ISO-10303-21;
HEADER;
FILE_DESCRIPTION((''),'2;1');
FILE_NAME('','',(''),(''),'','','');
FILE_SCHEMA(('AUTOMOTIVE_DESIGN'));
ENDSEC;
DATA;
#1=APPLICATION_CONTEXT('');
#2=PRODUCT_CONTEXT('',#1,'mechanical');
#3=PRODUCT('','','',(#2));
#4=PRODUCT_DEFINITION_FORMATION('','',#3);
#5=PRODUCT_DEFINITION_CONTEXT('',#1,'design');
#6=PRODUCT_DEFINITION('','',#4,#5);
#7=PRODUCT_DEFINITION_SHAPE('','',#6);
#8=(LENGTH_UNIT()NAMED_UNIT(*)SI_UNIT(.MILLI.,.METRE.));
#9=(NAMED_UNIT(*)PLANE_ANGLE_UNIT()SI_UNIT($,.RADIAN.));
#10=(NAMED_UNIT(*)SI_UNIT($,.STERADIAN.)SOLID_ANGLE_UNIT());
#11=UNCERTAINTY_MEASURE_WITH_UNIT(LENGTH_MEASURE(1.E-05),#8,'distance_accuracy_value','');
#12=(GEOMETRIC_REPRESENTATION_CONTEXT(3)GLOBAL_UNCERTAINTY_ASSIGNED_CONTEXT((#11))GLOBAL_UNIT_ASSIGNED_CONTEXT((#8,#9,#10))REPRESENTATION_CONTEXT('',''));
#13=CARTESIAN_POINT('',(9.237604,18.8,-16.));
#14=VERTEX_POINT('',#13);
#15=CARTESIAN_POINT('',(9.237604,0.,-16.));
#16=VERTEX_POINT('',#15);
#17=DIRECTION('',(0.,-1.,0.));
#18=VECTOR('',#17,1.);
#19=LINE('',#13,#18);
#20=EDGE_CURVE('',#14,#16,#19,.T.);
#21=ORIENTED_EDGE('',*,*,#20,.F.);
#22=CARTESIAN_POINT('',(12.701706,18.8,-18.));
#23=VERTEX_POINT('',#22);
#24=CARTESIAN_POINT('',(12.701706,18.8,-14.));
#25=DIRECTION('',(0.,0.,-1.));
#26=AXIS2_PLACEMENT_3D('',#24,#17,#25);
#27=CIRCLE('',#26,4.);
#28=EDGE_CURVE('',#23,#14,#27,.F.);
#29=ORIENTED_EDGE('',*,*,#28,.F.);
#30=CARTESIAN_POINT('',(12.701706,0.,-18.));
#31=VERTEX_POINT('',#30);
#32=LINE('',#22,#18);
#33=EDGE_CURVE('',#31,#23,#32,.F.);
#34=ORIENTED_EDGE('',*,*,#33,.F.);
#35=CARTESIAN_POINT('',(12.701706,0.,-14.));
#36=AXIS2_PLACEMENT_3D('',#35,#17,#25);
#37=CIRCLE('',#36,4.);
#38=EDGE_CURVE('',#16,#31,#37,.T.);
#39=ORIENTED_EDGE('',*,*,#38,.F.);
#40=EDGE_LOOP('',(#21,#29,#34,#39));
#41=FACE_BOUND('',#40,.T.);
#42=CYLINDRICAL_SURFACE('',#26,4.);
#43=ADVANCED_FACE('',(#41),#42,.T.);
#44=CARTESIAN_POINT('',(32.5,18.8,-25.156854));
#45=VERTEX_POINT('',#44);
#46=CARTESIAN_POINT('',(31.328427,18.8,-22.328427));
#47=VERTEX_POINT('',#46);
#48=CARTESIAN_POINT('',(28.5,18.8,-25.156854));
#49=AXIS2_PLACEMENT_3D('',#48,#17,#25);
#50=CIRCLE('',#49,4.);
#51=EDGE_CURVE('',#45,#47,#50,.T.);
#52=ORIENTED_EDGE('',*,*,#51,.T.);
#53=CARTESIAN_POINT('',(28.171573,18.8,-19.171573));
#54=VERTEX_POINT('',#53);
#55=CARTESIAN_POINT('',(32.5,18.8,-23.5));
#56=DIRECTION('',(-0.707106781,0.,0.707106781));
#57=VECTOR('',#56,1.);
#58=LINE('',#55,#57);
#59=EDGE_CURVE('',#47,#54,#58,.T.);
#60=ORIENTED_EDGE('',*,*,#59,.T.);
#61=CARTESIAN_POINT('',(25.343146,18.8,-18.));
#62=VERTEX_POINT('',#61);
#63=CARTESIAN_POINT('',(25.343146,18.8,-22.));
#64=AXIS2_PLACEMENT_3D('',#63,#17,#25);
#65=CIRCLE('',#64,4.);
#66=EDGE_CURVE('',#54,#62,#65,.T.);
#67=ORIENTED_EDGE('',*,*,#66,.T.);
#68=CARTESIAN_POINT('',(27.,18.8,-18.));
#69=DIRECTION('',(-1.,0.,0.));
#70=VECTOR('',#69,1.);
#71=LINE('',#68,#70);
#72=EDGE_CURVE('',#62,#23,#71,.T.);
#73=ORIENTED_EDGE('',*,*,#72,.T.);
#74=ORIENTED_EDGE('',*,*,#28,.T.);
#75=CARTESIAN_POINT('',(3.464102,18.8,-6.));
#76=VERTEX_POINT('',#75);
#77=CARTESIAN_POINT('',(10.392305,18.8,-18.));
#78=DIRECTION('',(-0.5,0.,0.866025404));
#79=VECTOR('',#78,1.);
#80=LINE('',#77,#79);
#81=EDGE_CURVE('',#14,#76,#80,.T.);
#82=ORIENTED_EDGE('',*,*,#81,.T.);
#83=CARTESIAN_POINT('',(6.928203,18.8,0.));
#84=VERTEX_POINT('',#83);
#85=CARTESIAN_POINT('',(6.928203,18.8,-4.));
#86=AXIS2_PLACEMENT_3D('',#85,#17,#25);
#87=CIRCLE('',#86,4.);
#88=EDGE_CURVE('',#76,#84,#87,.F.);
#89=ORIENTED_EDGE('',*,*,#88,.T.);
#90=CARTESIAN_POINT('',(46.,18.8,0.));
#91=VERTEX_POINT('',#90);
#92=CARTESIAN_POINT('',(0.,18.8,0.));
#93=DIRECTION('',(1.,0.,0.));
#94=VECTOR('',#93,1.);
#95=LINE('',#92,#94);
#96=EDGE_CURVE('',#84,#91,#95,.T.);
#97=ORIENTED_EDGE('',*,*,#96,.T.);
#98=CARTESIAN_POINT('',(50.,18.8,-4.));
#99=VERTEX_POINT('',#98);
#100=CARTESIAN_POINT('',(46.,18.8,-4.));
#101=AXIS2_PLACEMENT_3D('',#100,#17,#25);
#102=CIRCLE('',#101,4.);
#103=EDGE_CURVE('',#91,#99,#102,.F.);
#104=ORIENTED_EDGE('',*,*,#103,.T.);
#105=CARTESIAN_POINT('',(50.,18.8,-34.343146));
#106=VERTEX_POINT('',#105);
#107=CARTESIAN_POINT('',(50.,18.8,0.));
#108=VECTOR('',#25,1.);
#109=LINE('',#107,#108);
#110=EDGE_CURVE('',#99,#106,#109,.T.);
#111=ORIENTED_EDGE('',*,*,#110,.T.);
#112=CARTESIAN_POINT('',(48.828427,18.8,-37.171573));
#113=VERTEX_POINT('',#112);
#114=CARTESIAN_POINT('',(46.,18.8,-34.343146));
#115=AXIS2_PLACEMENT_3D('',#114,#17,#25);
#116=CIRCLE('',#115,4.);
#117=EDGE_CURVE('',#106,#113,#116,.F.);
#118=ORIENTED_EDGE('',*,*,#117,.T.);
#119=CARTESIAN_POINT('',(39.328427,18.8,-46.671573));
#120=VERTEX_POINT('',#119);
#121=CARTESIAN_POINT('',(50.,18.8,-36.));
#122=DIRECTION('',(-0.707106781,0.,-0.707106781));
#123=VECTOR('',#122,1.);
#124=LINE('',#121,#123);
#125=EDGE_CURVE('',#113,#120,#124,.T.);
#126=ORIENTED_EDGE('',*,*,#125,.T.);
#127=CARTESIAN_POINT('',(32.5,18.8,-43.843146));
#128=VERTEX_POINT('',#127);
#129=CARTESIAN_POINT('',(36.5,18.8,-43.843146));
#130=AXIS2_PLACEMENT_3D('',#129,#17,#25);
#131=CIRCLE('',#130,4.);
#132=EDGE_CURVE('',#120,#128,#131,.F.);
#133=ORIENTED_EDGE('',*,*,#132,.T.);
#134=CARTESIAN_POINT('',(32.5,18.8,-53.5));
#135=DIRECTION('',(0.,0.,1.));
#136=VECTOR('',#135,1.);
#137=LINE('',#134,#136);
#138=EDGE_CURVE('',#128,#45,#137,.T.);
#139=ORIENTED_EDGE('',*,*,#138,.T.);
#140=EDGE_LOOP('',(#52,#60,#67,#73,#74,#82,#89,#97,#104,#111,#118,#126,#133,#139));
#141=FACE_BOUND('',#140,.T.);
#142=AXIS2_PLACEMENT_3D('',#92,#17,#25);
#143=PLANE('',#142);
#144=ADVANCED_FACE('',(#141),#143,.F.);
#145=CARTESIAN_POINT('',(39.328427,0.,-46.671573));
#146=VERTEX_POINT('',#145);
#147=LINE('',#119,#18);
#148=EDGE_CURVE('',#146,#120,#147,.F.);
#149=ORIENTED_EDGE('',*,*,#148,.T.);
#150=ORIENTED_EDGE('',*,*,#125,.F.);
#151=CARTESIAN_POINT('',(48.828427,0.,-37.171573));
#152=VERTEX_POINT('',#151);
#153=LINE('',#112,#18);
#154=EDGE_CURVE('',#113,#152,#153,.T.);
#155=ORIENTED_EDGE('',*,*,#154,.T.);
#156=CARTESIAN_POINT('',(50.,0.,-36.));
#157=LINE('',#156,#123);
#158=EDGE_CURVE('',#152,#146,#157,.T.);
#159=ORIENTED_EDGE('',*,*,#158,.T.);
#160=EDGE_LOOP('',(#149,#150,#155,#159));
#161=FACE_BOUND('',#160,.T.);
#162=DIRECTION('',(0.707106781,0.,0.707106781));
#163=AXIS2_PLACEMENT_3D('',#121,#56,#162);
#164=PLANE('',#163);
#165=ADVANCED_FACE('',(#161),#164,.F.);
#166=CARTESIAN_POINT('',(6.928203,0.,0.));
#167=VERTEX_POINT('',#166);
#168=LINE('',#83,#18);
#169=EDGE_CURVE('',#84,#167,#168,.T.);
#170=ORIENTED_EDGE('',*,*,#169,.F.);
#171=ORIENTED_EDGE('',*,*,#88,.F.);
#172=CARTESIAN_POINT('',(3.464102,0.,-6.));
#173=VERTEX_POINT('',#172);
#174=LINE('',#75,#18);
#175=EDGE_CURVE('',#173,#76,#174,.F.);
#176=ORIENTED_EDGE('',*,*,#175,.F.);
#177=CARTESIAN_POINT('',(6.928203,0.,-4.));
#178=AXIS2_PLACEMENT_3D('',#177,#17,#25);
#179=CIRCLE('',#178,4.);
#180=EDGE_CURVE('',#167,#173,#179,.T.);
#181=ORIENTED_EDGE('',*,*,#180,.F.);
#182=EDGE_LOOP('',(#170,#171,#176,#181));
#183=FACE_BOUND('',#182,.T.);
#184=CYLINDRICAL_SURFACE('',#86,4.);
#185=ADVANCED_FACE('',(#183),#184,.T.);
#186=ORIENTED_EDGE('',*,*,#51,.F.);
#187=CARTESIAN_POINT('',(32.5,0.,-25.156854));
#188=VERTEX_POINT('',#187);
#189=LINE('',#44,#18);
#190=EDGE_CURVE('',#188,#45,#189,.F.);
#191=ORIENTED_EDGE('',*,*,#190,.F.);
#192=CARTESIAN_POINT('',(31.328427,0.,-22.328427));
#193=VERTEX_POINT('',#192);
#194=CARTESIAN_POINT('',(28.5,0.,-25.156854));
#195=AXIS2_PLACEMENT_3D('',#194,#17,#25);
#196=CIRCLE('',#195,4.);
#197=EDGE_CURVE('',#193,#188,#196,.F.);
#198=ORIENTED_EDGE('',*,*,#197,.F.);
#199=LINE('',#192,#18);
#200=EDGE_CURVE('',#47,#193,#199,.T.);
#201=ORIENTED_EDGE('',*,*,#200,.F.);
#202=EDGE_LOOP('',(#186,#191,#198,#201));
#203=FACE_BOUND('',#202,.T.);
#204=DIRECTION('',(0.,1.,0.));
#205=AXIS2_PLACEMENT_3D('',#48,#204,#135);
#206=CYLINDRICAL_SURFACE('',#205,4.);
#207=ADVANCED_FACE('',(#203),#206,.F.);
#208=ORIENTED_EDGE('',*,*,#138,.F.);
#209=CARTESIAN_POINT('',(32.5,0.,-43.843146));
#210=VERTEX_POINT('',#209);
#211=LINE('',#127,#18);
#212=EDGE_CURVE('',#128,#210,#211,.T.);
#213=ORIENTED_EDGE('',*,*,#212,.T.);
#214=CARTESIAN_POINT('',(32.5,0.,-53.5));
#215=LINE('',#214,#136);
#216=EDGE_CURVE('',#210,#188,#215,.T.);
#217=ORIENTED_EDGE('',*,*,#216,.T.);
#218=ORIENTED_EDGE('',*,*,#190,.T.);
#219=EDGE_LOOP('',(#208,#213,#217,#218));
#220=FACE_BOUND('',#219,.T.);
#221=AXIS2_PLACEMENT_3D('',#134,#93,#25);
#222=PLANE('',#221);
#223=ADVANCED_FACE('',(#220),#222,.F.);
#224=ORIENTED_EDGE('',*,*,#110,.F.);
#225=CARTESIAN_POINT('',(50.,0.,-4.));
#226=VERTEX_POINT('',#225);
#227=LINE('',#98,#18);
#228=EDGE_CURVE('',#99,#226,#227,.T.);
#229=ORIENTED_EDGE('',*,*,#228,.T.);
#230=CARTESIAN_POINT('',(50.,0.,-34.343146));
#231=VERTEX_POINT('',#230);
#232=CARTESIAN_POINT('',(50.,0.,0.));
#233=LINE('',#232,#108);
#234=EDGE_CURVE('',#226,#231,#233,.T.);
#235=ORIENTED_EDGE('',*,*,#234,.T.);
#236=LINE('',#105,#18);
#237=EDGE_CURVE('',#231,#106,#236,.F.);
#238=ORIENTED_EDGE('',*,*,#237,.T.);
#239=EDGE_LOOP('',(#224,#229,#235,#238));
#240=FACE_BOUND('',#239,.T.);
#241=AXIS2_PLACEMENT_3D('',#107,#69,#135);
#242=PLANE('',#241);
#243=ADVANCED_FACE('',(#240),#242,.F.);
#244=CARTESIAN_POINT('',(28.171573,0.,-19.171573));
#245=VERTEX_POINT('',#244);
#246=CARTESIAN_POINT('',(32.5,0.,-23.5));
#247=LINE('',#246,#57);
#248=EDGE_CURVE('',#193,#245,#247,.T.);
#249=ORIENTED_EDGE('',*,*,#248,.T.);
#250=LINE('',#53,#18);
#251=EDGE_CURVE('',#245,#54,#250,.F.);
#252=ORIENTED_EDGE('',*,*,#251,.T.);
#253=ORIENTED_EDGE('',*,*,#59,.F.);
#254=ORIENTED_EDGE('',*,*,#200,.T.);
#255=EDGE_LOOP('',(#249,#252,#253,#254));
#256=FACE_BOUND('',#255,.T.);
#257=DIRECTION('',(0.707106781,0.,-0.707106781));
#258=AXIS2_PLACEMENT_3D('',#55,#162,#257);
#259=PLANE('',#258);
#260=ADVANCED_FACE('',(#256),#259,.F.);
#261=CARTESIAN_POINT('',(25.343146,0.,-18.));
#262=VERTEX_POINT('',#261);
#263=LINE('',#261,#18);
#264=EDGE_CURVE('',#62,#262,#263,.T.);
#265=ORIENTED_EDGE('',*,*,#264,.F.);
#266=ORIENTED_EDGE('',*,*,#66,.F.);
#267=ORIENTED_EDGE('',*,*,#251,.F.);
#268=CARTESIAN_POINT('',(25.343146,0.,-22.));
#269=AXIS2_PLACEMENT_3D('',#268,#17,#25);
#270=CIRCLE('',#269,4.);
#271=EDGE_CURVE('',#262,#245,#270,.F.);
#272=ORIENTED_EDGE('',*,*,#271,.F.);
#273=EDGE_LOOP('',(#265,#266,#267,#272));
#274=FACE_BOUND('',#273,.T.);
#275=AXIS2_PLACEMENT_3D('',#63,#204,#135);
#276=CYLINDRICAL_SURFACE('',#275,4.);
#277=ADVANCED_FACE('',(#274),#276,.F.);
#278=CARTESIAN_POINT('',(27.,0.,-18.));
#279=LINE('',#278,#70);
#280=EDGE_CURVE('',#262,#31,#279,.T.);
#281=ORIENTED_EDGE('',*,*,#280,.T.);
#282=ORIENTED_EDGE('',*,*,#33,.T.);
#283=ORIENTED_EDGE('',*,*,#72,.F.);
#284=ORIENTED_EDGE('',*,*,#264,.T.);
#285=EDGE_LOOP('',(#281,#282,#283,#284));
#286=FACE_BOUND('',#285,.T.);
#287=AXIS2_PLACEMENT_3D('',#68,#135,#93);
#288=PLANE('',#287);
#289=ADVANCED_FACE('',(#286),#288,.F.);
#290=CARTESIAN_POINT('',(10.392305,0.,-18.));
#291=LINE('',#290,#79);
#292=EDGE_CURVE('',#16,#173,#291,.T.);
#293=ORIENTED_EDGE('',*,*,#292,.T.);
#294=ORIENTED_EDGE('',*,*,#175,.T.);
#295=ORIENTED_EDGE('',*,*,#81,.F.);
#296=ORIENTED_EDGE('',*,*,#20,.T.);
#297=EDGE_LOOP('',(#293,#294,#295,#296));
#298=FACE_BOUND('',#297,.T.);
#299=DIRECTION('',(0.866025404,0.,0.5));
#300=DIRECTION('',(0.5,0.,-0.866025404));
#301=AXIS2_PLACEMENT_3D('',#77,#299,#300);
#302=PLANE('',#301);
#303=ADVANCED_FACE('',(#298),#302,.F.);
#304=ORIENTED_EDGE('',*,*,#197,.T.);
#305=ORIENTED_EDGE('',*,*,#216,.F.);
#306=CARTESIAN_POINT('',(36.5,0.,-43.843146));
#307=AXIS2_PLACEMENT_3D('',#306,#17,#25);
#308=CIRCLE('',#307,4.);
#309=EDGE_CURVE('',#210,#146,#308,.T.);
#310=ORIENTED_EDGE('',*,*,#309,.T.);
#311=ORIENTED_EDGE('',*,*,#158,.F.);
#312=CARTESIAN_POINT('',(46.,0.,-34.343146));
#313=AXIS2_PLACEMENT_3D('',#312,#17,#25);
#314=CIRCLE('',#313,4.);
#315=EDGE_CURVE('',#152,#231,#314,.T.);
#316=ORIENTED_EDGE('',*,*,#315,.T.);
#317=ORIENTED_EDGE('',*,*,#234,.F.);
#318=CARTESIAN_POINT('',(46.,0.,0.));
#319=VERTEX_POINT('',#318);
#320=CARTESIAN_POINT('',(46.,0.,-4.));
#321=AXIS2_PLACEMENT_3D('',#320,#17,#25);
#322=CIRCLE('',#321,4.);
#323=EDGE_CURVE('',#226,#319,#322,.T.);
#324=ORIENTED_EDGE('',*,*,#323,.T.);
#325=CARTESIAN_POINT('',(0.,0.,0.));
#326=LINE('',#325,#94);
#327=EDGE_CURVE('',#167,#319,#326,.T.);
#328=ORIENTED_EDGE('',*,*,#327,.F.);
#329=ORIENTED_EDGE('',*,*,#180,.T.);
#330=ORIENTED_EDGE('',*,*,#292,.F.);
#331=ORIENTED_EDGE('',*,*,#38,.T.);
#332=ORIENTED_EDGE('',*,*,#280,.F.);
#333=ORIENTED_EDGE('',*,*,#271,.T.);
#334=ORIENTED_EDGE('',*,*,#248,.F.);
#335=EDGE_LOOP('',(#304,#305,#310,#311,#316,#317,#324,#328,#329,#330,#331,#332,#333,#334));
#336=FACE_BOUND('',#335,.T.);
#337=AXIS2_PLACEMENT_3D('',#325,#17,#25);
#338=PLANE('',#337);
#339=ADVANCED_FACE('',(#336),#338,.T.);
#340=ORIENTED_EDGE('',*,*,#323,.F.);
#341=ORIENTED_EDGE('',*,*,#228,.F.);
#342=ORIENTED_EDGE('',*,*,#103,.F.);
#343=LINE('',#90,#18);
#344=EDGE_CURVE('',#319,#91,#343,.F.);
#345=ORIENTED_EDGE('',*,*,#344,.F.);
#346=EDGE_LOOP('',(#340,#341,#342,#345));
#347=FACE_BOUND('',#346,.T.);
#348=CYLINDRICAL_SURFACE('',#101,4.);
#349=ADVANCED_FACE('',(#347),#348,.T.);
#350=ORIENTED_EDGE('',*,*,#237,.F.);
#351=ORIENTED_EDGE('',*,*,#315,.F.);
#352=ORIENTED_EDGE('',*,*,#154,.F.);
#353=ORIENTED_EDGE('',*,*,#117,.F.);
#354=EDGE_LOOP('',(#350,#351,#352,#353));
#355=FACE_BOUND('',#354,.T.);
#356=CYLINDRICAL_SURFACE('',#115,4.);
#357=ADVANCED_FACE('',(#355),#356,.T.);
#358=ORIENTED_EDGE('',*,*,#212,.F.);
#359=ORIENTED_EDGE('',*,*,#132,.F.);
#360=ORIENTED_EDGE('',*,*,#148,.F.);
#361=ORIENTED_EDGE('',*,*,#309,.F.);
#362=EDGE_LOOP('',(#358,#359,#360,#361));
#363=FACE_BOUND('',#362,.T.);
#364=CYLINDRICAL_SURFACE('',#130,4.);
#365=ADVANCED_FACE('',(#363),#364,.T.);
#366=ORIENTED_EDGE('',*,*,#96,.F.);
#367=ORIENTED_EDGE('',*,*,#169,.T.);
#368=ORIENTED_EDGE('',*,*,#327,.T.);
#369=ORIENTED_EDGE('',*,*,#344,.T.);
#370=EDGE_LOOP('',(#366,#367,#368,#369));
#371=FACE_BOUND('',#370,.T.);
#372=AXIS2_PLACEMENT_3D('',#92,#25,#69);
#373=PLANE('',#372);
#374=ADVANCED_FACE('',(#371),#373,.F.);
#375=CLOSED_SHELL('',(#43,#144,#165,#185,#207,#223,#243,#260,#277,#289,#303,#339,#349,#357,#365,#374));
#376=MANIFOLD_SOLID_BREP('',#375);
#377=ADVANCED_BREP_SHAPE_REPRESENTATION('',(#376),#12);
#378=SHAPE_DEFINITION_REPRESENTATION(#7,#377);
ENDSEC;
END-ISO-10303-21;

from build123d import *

# Parameters (mm, degrees)
BOSS_EXTRUDE1_DEPTH = 18.8
FILLET1_R           = 4


with BuildPart() as part:
    # Sketch1 → Boss-Extrude1 (new body)
    with BuildSketch(Plane(origin=(0, 0, 0), x_dir=(1, 0, 0), z_dir=(0, 1, 0))):
        Polygon((0, 0), (50, 0), (50, 36), (32.5, 53.5), (32.5, 23.5), (27, 18), (10.392304845, 18), align=None)
    extrude(amount=BOSS_EXTRUDE1_DEPTH)

    # Fillet1
    fillet1_edges = [part.edges().sort_by_distance(p)[0] for p in [
        (10.392304845, 9.4, -18),
        (27, 9.4, -18),
        (32.5, 9.4, -23.5),
        (32.5, 9.4, -53.5),
        (50, 9.4, -36),
        (50, 9.4, 0),
        (0, 9.4, 0),
    ]]
    fillet(fillet1_edges, radius=FILLET1_R)


solid = part.part
